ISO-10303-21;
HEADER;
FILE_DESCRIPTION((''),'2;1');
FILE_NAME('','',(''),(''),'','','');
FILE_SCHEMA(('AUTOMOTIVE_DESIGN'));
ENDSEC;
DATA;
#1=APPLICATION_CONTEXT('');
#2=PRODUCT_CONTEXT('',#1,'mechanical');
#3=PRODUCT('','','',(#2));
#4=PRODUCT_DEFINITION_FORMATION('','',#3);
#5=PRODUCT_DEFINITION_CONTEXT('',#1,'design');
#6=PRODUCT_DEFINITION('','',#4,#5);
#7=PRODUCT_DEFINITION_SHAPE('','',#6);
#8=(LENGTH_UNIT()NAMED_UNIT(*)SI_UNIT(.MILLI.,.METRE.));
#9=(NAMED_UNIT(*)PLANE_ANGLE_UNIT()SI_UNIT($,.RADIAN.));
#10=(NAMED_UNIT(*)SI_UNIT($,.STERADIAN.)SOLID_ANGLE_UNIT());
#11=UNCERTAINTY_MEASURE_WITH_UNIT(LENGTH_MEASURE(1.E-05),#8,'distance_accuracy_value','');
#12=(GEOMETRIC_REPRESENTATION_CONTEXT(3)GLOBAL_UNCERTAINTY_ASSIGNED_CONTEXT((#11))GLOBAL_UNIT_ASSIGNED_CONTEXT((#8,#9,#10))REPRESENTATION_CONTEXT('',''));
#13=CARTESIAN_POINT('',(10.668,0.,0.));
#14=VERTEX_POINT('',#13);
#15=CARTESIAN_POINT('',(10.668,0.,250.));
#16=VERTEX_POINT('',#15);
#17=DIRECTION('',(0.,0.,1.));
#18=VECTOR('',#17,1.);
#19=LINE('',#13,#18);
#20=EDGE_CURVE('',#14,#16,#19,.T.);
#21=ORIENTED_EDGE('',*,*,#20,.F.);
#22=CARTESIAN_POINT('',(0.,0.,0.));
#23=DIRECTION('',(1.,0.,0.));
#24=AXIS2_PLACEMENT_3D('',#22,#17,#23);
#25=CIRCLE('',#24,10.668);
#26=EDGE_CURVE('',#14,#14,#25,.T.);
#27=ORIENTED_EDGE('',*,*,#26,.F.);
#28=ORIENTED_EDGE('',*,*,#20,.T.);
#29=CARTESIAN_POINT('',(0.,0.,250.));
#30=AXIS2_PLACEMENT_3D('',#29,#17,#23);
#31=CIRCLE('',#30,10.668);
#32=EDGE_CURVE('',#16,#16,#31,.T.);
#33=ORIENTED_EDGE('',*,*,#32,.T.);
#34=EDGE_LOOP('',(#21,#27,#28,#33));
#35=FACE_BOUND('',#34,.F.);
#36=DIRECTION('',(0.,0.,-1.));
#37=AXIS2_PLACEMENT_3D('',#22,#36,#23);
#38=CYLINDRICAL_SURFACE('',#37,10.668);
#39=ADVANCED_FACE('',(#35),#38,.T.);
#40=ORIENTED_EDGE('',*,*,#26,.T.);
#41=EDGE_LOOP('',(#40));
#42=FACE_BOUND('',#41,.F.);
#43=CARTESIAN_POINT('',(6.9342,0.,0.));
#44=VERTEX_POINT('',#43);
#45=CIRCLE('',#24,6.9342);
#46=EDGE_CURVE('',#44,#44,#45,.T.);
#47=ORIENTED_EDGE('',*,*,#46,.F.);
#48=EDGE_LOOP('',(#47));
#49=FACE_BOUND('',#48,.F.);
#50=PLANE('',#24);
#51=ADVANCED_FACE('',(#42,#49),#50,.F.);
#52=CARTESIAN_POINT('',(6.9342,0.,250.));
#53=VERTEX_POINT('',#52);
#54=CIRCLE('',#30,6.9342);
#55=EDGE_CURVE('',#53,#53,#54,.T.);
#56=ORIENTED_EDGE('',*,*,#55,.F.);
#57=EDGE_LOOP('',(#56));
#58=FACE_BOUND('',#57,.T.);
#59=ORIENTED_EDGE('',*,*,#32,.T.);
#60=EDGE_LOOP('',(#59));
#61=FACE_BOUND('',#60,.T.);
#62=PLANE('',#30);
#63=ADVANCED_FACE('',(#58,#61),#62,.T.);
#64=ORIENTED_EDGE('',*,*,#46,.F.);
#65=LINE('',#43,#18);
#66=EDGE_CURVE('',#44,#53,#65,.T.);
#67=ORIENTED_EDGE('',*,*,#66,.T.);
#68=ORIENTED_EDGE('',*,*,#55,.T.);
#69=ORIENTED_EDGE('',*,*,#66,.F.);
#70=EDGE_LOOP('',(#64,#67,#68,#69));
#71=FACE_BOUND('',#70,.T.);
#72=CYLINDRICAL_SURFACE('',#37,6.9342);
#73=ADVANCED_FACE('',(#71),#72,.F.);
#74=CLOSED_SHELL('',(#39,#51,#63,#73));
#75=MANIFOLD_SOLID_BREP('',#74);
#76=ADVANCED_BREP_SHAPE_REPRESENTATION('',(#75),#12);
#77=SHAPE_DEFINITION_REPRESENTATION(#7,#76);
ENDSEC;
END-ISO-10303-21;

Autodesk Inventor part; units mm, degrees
ref_plane "YZ Plane" through (0, 0, 0) normal (1, 0, 0) x (0, 1, 0)
ref_plane "Start Plane" through (0, 0, 0) normal (0, 0, 1) x (1, 0, 0)
ref_plane "End Plane" through (0, 0, 250) normal (0, 0, 1) x (1, 0, 0)
sketch "Sketch" plane through (0, 0, 0) normal (0, 0, 1) x (1, 0, 0)
  circle A0 centre (0, 0) radius 6.9342
  circle A1 centre (0, 0) radius 10.668
  dimension "d0" = 21.336
  dimension "d1" = 3.7338
extrude "Body" add sketch "Sketch" along normal up to surface (250 mm away) from surface at 0
sketch "Sketch3" plane through (0, 0, 0) normal (0, 0, 1) x (1, 0, 0)
  line L0 (0, 0) -> (10, 0)
ref_plane "Work Plane3" through (0, 0, 0) normal (0, -1, 0) x (1, 0, 0)
sketch "Sketch4" plane through (0, 0, 0) normal (0, -1, 0) x (1, 0, 0)
  line L0 (-2, 0) -> (12, 0) projected
  line L1 (-2, 250) -> (12, 250) projected
  dimension "d7" = 250
equation "\"d0\" = G_H"
equation "\"d1\" = G_T"
equation "\"d2\" = G_L"
equation "\"G_H\" = 21.336"
equation "\"G_T\" = 3.7338"
equation "\"G_L\" = d7"
equation "\"G_OFFSET_START\" = 0"
equation "\"G_OFFSET_END\" = 0"
equation "\"d5\" = G_OFFSET_END + B_L"
equation "\"B_L\" = 250"
properties part number "ANSI - 1/2 x 0.147 - 9.843" material "Steel, Mild"
